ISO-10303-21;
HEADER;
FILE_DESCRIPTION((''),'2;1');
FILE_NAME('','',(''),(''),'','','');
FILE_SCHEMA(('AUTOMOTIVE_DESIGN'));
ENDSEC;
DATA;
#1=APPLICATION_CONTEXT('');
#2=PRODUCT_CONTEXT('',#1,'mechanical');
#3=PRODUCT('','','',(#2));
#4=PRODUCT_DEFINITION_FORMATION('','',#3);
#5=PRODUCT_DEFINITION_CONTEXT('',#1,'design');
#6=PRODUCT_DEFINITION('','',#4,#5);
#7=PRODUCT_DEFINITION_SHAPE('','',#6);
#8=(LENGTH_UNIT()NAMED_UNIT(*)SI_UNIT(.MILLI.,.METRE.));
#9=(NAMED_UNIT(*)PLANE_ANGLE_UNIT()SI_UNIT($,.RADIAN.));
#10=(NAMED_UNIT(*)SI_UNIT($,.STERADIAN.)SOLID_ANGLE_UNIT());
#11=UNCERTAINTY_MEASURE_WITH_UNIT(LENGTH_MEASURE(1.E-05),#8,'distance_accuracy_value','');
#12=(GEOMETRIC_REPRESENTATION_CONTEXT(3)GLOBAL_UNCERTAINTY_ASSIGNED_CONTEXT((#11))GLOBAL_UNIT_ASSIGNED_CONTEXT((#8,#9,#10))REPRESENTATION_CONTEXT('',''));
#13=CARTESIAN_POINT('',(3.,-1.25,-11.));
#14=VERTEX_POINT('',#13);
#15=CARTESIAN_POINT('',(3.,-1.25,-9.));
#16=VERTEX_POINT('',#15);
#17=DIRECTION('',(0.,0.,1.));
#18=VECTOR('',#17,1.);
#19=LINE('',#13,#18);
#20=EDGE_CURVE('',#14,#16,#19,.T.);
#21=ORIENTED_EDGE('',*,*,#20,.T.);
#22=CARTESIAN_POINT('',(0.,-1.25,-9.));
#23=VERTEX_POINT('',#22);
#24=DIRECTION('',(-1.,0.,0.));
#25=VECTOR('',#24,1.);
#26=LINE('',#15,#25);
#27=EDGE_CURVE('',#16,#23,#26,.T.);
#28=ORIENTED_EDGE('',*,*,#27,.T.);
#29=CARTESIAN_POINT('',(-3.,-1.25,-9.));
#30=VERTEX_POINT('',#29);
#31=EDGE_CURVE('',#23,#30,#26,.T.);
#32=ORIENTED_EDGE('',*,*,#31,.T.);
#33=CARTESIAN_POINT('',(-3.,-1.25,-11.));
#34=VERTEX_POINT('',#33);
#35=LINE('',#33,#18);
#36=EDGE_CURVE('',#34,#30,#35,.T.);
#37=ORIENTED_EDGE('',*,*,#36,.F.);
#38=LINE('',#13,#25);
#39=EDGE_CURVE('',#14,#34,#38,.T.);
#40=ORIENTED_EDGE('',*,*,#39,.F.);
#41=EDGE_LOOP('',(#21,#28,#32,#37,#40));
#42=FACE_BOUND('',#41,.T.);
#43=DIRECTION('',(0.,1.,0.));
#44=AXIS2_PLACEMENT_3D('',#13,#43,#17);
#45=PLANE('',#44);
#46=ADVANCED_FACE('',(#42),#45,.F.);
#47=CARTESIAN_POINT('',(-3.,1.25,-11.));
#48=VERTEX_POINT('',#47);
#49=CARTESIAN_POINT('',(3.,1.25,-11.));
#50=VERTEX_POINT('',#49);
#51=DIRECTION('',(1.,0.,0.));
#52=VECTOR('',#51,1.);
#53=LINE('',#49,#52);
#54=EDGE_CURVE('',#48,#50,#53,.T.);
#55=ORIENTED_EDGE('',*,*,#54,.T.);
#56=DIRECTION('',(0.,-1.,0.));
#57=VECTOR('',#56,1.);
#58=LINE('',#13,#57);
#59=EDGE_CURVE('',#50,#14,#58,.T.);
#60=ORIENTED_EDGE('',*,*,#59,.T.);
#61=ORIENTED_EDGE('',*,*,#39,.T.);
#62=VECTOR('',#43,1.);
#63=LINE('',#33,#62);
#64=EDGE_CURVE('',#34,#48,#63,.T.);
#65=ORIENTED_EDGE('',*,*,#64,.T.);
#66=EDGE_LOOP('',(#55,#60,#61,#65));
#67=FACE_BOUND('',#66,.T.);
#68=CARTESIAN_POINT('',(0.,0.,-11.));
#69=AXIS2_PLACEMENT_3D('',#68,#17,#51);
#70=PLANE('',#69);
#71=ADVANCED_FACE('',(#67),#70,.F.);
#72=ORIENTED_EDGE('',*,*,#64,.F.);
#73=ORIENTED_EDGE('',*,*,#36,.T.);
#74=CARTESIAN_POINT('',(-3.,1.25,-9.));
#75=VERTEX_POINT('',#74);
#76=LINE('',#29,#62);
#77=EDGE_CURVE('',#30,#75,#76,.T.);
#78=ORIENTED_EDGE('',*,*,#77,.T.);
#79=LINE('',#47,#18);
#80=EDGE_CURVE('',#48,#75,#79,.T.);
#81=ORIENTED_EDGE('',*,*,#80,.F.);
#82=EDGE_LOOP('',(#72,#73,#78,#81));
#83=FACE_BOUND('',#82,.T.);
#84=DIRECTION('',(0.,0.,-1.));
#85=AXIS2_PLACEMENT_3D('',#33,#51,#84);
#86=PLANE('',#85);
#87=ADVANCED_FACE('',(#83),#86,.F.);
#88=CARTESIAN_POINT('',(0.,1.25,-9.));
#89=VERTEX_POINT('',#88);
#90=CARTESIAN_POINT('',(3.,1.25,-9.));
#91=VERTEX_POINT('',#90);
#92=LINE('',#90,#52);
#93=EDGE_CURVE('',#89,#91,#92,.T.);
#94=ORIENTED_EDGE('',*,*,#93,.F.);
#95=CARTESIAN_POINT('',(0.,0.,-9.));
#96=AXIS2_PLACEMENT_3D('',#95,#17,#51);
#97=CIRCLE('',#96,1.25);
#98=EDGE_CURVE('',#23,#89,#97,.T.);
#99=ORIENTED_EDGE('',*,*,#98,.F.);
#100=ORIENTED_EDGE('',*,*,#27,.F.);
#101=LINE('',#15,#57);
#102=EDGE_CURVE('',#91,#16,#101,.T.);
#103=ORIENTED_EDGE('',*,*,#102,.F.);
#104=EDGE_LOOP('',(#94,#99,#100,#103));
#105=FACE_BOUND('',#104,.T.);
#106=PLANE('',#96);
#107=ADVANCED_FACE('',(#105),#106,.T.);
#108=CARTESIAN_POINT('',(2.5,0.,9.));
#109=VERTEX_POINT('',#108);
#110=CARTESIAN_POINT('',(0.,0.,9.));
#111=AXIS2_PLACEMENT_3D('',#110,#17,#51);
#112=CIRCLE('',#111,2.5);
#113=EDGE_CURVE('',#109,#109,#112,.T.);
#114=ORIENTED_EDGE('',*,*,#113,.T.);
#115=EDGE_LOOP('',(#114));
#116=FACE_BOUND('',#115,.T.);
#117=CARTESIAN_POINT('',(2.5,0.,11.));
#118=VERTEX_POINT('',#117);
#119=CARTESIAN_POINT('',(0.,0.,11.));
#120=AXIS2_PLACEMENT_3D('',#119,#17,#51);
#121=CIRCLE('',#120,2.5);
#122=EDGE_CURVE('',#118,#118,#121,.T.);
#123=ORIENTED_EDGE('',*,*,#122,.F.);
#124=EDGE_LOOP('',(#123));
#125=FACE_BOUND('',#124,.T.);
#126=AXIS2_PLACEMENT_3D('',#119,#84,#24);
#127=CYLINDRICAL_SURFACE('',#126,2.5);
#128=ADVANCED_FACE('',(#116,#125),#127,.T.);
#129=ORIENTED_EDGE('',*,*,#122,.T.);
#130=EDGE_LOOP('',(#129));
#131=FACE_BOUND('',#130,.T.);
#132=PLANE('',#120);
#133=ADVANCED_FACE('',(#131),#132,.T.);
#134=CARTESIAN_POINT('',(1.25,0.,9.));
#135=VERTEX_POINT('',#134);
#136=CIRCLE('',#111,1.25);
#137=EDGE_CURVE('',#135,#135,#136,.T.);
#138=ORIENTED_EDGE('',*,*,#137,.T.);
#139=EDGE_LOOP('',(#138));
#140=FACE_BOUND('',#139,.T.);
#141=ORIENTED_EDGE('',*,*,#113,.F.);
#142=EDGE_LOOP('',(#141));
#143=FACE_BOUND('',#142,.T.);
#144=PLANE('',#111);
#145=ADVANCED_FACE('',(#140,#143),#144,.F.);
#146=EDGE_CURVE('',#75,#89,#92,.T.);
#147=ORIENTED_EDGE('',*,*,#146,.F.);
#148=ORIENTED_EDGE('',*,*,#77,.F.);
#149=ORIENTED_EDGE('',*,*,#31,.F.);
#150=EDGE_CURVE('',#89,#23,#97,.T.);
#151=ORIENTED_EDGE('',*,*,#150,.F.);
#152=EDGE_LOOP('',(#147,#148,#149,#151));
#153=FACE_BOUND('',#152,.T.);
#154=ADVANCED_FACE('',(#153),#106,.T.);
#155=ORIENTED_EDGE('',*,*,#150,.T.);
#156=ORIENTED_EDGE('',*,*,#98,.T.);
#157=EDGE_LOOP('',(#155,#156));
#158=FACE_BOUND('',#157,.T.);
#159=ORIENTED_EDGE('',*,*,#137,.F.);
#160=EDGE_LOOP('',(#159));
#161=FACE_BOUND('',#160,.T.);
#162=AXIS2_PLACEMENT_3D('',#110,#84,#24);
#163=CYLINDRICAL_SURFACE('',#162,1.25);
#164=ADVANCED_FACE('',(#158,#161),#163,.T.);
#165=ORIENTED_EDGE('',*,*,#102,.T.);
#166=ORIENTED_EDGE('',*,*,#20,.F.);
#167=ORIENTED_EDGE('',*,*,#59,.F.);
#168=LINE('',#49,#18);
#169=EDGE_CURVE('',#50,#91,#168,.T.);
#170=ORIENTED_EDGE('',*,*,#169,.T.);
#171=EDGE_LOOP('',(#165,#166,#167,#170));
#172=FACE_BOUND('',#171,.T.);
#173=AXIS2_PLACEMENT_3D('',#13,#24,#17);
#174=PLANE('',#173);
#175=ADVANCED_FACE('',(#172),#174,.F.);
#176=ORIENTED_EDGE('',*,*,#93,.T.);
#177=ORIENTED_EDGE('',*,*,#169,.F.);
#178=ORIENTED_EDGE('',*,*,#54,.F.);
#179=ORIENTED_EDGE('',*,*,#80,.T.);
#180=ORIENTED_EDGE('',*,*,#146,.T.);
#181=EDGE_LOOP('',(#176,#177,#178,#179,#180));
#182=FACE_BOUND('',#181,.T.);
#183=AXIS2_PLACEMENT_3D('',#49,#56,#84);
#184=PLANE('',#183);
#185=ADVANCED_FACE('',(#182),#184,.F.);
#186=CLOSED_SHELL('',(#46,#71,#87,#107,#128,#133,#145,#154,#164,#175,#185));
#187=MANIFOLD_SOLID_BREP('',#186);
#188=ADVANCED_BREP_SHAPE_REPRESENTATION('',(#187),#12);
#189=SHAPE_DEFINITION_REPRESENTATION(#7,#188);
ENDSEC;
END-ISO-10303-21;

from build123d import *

# Parameters (mm, degrees)
SKETCH1_R           = 1.25
BOSS_EXTRUDE1_DEPTH = 9
SKETCH2_R           = 2.5
BOSS_EXTRUDE2_DEPTH = 2
SKETCH3_W           = 6
SKETCH3_H           = 2.5
BOSS_EXTRUDE3_DEPTH = 2


with BuildPart() as part:
    # Sketch1 → Boss-Extrude1 (new, symmetric)
    with BuildSketch(Plane.XY):
        Circle(SKETCH1_R)
    extrude(amount=BOSS_EXTRUDE1_DEPTH, both=True)

    # Sketch2 → Boss-Extrude2 (add)
    with BuildSketch(Plane.XY.offset(9)):
        Circle(SKETCH2_R)
    extrude(amount=BOSS_EXTRUDE2_DEPTH)

    # Sketch3 → Boss-Extrude3 (add)
    with BuildSketch(Plane(origin=(0, 0, -9), x_dir=(-1, 0, 0), z_dir=(0, 0, -1))):
        Rectangle(SKETCH3_W, SKETCH3_H)
    extrude(amount=BOSS_EXTRUDE3_DEPTH)


solid = part.part
